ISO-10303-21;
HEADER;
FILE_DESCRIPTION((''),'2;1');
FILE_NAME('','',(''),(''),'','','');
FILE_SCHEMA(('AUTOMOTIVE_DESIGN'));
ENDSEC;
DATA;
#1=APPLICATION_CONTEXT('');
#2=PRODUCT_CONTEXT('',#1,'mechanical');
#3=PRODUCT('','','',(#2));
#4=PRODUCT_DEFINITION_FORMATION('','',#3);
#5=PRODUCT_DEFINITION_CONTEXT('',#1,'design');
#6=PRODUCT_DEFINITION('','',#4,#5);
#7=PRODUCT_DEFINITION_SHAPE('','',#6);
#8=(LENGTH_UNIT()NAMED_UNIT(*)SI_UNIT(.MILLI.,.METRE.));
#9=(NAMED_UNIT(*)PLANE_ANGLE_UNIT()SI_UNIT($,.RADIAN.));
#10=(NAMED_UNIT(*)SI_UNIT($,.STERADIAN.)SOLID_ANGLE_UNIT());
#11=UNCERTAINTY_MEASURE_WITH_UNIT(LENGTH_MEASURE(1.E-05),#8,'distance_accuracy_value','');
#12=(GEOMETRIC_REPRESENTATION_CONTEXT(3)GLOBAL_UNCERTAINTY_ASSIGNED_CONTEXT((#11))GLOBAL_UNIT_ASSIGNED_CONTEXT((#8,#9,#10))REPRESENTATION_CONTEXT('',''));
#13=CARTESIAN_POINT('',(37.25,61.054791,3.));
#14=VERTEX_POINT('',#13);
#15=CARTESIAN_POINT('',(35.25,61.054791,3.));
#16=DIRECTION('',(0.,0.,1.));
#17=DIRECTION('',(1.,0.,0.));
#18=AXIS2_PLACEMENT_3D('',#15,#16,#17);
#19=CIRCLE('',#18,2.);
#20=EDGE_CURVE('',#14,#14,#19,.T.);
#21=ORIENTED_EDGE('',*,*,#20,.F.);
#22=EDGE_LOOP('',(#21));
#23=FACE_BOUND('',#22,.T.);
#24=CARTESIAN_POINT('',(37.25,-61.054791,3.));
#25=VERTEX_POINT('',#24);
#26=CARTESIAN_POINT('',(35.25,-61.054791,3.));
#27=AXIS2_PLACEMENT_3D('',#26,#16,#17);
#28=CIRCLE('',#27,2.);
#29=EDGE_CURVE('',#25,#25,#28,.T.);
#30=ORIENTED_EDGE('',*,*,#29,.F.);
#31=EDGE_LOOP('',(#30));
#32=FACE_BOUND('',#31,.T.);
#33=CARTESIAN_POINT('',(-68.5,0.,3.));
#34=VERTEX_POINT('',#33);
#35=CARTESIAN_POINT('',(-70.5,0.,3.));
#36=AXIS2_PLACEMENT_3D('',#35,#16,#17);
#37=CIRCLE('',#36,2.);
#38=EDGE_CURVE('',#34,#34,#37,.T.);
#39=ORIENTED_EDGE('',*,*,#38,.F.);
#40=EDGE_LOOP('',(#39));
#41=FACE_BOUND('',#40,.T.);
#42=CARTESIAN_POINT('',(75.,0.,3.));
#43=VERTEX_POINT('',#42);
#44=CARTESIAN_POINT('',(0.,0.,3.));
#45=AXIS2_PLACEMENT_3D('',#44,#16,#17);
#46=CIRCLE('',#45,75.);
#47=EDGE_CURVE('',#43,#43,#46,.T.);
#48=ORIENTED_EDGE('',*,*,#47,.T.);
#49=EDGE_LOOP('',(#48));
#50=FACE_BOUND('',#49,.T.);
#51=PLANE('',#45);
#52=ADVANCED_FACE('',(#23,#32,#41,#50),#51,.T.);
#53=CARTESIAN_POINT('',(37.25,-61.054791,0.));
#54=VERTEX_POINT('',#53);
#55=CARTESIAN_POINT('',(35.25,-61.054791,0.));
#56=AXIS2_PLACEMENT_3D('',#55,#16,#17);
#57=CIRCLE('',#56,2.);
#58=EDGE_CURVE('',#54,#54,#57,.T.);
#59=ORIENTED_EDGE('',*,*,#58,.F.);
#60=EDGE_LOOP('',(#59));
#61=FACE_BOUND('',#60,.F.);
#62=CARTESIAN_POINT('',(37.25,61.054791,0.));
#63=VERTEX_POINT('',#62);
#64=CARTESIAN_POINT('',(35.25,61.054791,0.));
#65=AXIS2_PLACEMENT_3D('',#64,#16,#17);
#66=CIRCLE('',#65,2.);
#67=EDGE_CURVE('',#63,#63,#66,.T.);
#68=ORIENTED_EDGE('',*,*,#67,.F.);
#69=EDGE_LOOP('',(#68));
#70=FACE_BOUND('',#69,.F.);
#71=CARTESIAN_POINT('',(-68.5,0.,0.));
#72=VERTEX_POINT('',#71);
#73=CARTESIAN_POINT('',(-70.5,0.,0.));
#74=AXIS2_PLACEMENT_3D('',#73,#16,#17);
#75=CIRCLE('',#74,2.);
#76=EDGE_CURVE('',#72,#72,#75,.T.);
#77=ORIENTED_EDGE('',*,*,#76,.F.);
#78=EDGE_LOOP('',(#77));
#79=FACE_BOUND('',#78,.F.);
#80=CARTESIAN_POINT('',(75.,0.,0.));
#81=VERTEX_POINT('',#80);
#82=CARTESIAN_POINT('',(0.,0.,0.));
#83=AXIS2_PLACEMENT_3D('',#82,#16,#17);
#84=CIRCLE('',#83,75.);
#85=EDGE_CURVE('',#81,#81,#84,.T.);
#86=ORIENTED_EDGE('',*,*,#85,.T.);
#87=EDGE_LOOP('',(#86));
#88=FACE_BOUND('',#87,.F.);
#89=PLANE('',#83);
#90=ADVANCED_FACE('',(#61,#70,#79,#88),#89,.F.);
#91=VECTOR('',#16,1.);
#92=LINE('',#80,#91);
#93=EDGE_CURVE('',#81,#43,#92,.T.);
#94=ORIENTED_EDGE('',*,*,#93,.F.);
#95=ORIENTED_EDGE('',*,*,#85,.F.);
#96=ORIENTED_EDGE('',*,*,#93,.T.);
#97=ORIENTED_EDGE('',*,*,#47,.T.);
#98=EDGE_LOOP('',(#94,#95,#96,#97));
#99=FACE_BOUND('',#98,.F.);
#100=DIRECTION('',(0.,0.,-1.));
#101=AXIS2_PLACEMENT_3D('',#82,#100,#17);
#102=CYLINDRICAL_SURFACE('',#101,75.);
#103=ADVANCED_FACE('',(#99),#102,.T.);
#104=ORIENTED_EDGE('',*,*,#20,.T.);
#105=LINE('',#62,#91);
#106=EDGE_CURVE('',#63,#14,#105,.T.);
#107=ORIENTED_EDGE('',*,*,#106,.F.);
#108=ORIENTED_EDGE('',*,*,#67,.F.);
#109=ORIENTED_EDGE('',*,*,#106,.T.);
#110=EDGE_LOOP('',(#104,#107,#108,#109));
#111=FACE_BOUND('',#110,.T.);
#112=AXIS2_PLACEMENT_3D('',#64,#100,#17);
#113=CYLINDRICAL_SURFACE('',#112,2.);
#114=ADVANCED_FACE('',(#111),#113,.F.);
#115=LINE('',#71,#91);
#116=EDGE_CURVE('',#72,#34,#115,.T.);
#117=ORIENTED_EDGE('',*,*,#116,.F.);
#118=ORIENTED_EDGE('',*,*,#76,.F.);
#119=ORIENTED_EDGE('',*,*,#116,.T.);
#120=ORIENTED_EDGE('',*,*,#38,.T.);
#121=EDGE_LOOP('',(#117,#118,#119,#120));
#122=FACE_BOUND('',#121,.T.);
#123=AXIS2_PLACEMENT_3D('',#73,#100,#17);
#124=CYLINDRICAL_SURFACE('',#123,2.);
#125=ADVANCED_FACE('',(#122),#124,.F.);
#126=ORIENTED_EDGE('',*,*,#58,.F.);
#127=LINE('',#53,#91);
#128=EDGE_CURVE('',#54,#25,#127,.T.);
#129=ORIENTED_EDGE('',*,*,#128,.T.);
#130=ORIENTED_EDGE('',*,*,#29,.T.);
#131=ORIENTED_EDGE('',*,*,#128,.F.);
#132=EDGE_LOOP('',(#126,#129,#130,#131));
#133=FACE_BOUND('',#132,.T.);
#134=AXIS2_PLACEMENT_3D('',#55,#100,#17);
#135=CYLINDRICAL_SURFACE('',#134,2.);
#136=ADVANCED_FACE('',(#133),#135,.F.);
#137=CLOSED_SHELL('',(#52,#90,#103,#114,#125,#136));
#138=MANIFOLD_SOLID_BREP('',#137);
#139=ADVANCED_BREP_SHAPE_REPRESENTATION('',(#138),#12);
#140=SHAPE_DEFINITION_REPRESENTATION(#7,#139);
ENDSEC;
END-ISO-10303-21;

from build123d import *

# Parameters (mm, degrees)
SKETCH_R   = 75
SKETCH_R_2 = 2
PAD_DEPTH  = 3


with BuildPart() as part:
    # Sketch → Pad (new body)
    with BuildSketch(Plane.XY):
        Circle(SKETCH_R)
        with Locations((-70.5, 0)):
            Circle(SKETCH_R_2, mode=Mode.SUBTRACT)
        with Locations((35.25, 61.054791)):
            Circle(SKETCH_R_2, mode=Mode.SUBTRACT)
        with Locations((35.25, -61.054791)):
            Circle(SKETCH_R_2, mode=Mode.SUBTRACT)
    extrude(amount=PAD_DEPTH)


solid = part.part
